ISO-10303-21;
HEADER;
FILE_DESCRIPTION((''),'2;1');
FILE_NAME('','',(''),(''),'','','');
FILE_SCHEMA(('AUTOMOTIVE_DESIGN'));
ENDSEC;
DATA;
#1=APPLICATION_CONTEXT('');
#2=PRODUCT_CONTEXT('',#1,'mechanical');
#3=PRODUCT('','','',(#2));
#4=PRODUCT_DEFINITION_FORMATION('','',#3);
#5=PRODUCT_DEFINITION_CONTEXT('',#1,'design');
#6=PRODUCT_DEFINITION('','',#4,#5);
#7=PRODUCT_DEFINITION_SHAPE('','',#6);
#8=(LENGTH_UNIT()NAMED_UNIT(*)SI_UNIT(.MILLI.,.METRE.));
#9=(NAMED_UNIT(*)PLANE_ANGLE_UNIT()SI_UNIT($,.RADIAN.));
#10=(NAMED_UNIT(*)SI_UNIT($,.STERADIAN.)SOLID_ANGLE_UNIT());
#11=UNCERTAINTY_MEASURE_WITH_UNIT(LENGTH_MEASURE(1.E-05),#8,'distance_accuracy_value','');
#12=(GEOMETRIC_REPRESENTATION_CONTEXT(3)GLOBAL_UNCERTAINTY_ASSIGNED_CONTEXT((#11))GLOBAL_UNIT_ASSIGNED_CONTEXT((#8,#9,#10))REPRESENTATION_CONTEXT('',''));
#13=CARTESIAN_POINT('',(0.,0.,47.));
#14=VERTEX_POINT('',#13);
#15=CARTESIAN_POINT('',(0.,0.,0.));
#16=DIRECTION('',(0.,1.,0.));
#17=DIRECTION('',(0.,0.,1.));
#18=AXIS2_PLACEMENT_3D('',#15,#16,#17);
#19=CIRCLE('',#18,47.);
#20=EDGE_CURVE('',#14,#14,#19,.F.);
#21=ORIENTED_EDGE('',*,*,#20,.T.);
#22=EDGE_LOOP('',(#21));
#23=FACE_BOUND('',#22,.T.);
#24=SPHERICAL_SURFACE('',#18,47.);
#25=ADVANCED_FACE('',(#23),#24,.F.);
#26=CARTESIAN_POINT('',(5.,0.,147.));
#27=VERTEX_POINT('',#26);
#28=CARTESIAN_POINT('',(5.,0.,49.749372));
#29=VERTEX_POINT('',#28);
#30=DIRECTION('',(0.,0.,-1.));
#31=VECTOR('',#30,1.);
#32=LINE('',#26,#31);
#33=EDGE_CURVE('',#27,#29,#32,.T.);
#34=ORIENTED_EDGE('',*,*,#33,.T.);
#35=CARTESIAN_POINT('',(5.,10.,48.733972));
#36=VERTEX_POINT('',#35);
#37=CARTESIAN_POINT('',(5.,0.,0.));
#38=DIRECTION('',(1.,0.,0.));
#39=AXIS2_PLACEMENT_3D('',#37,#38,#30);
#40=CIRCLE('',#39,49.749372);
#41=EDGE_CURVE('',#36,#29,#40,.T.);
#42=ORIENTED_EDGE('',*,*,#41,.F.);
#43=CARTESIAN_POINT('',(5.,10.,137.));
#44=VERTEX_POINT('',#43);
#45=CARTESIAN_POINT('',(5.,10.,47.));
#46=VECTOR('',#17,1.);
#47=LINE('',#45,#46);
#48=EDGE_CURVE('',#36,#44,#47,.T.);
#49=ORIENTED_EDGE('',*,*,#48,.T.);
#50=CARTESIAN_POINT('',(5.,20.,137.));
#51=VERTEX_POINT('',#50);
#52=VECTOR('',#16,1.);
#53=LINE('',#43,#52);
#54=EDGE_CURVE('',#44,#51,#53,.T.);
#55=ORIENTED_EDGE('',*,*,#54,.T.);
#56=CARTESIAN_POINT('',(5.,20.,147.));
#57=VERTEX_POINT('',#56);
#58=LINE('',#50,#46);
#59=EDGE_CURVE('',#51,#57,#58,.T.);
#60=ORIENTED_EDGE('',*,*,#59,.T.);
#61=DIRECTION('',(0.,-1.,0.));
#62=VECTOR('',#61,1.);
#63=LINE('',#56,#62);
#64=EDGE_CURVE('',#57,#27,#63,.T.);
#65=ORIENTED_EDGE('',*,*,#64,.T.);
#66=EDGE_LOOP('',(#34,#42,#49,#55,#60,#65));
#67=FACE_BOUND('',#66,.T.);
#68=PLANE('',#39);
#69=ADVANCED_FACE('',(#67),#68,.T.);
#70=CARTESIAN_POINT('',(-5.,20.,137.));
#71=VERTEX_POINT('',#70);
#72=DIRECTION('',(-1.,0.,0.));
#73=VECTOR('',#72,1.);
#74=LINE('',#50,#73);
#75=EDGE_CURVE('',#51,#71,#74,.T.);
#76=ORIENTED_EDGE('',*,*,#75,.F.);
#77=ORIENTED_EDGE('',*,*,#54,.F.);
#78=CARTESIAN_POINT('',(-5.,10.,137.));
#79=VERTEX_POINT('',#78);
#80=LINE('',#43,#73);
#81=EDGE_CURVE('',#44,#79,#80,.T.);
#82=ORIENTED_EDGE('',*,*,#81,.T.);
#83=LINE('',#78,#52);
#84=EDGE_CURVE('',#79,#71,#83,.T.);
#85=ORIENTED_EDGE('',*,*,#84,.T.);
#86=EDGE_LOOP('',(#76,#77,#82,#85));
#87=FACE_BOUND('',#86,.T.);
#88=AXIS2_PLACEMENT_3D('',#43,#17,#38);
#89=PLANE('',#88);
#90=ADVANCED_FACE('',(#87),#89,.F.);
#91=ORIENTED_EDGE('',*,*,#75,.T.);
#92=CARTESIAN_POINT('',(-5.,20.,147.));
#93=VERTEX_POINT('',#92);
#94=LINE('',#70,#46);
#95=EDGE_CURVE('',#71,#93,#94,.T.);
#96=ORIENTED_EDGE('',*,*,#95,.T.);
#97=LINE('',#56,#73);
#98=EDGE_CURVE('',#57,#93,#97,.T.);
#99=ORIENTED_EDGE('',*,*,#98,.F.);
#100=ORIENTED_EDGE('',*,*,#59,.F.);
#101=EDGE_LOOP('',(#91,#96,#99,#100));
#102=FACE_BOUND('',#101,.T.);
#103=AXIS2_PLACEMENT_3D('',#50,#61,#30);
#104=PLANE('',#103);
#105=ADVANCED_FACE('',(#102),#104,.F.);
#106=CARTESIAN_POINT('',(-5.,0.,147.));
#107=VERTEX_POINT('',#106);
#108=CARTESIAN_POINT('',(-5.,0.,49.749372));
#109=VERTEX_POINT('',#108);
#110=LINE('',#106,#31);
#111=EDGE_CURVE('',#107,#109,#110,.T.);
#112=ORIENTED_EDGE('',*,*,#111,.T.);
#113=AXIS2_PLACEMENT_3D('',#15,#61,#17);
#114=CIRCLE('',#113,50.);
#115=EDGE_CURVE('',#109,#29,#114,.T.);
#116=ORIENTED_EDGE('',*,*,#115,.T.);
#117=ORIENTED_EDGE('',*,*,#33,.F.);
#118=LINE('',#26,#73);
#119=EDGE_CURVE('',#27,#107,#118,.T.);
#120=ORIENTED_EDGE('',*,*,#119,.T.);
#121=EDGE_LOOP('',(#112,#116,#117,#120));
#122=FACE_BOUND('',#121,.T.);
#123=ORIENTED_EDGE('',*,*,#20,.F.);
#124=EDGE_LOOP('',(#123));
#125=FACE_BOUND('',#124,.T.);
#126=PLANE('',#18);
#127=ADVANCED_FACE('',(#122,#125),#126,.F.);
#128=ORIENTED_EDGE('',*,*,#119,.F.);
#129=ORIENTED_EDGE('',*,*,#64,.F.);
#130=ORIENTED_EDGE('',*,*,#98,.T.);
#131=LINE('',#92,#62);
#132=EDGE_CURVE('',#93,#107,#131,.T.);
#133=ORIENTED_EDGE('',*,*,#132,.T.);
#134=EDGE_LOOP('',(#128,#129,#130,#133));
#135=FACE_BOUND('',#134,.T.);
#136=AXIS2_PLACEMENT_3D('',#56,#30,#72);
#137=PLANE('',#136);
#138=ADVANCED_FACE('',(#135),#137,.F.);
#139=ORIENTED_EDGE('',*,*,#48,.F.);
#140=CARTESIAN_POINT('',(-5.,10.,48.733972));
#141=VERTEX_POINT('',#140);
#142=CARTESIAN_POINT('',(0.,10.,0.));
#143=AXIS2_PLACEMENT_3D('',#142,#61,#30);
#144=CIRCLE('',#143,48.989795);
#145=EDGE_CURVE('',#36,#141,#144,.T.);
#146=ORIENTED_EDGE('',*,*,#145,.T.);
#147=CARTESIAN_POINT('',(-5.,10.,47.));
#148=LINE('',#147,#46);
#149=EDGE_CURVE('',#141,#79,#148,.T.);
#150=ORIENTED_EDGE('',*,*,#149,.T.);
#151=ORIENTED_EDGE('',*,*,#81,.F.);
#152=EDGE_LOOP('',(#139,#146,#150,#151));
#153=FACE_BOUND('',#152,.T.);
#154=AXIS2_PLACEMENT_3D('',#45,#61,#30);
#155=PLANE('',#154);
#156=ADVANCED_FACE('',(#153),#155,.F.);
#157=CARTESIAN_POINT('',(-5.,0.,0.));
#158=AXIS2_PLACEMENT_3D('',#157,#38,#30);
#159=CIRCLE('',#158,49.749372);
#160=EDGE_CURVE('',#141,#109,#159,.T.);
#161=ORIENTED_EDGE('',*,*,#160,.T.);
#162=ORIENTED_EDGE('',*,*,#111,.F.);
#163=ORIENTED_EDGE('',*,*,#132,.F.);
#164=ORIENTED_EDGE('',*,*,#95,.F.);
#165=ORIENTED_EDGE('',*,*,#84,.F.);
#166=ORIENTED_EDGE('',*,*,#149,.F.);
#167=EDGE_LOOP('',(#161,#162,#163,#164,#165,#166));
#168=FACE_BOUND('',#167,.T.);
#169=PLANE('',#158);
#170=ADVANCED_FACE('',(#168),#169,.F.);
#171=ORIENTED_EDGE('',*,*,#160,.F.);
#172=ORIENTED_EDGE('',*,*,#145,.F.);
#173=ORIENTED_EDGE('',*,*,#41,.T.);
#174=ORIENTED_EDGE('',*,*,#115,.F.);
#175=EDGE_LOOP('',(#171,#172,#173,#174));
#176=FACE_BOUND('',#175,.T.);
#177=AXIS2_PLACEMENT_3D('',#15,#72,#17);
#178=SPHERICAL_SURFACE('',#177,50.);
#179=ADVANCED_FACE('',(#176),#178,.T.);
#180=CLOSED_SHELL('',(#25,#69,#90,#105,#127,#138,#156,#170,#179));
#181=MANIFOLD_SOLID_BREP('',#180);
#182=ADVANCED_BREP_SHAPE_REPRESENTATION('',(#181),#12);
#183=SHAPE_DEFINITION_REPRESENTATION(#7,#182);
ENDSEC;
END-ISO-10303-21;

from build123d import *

# Parameters (mm, degrees)
REVOLVE1_ANGLE      = 180
SHELL3_T            = -3
BOSS_EXTRUDE1_DEPTH = 5


with BuildPart() as part:
    # Sketch1 → Revolve1 (revolve)
    with BuildSketch(Plane(origin=(0, 0, 0), x_dir=(1, 0, 0), z_dir=(0, 1, 0))):
        with BuildLine():
            Line((-50, 0), (50, 0))
            ThreePointArc((50, 0), (0, 50), (-50, 0))
        make_face()
    revolve(axis=Axis((-50, 0, 0), (1, 0, 0)), revolution_arc=REVOLVE1_ANGLE)

    # Shell3
    shell3_openings = [part.faces().sort_by_distance(p)[0] for p in [
        (0, 0, 0),
    ]]
    offset(amount=SHELL3_T, openings=shell3_openings)

    # Sketch5 → Boss-Extrude1 (add, symmetric)
    with BuildSketch(Plane(origin=(0, 0, 0), x_dir=(0, 0, -1), z_dir=(1, 0, 0))):
        Polygon((-47, 0), (-47, 10), (-137, 10), (-137, 20), (-147, 20), (-147, 0), align=None)
    extrude(amount=BOSS_EXTRUDE1_DEPTH, both=True)


solid = part.part
